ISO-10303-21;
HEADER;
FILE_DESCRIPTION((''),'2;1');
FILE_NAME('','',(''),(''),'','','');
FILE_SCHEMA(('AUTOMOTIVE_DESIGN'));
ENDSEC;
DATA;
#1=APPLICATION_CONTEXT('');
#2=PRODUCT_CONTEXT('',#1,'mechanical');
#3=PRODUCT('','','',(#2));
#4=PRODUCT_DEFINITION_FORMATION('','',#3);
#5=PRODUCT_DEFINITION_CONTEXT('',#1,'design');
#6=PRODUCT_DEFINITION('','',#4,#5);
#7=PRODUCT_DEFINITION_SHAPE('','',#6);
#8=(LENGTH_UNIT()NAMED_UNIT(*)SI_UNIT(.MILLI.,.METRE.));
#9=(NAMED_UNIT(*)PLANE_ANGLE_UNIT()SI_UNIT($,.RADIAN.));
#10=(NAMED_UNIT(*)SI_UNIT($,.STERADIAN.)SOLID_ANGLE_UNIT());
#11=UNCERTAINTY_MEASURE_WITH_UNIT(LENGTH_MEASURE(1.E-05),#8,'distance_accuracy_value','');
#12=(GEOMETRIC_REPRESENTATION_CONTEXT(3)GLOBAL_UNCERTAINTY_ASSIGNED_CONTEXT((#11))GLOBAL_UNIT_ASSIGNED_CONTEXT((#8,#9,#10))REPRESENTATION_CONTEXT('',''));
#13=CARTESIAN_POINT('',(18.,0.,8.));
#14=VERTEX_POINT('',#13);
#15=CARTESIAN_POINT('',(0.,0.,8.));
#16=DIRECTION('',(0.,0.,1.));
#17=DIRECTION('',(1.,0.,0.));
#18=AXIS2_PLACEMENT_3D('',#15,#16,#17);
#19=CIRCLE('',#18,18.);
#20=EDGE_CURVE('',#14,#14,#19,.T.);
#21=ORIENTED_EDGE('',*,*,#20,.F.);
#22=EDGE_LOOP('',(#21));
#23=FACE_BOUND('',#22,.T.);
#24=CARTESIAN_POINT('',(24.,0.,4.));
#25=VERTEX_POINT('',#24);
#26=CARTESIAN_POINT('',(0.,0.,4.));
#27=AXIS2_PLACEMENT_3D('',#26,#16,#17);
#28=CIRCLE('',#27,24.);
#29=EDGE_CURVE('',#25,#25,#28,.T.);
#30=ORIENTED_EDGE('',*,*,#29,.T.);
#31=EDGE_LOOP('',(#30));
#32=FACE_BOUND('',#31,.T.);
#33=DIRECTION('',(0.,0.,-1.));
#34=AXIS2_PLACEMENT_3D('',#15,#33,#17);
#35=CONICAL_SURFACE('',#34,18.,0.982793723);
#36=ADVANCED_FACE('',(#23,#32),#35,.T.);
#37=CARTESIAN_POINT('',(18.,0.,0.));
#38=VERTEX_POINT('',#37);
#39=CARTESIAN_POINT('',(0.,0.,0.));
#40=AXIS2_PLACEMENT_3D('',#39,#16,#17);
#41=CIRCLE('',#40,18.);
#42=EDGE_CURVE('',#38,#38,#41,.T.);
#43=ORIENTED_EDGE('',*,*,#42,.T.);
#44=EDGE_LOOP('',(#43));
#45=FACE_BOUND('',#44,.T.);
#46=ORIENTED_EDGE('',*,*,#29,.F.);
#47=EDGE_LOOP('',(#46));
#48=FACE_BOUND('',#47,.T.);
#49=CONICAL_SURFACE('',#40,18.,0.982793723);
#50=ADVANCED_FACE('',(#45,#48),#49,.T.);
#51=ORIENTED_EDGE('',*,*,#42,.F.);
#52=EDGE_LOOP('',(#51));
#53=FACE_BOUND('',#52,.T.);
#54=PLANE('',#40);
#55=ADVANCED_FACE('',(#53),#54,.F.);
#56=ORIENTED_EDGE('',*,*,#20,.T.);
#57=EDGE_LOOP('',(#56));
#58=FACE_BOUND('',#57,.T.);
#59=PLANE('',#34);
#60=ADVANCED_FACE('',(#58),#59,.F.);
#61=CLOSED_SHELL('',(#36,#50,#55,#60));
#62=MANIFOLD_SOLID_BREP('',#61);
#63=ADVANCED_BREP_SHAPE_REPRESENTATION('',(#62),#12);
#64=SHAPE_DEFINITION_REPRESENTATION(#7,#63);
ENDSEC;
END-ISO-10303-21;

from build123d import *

# Parameters (mm, degrees)
ESBO_O3_R = 24
ESBO_O2_R = 18


with BuildPart() as part:
    # Esboço3 → Loft2 section 0
    with BuildSketch(Plane.XY.offset(4)):
        Circle(ESBO_O3_R)
    # Esboço2 → Loft2 section 1
    with BuildSketch(Plane.XY):
        Circle(ESBO_O2_R)
    loft2 = loft()

    # Espelhar1: Loft2 across plane
    add(loft2.mirror(Plane.XY.offset(4)))


solid = part.part
